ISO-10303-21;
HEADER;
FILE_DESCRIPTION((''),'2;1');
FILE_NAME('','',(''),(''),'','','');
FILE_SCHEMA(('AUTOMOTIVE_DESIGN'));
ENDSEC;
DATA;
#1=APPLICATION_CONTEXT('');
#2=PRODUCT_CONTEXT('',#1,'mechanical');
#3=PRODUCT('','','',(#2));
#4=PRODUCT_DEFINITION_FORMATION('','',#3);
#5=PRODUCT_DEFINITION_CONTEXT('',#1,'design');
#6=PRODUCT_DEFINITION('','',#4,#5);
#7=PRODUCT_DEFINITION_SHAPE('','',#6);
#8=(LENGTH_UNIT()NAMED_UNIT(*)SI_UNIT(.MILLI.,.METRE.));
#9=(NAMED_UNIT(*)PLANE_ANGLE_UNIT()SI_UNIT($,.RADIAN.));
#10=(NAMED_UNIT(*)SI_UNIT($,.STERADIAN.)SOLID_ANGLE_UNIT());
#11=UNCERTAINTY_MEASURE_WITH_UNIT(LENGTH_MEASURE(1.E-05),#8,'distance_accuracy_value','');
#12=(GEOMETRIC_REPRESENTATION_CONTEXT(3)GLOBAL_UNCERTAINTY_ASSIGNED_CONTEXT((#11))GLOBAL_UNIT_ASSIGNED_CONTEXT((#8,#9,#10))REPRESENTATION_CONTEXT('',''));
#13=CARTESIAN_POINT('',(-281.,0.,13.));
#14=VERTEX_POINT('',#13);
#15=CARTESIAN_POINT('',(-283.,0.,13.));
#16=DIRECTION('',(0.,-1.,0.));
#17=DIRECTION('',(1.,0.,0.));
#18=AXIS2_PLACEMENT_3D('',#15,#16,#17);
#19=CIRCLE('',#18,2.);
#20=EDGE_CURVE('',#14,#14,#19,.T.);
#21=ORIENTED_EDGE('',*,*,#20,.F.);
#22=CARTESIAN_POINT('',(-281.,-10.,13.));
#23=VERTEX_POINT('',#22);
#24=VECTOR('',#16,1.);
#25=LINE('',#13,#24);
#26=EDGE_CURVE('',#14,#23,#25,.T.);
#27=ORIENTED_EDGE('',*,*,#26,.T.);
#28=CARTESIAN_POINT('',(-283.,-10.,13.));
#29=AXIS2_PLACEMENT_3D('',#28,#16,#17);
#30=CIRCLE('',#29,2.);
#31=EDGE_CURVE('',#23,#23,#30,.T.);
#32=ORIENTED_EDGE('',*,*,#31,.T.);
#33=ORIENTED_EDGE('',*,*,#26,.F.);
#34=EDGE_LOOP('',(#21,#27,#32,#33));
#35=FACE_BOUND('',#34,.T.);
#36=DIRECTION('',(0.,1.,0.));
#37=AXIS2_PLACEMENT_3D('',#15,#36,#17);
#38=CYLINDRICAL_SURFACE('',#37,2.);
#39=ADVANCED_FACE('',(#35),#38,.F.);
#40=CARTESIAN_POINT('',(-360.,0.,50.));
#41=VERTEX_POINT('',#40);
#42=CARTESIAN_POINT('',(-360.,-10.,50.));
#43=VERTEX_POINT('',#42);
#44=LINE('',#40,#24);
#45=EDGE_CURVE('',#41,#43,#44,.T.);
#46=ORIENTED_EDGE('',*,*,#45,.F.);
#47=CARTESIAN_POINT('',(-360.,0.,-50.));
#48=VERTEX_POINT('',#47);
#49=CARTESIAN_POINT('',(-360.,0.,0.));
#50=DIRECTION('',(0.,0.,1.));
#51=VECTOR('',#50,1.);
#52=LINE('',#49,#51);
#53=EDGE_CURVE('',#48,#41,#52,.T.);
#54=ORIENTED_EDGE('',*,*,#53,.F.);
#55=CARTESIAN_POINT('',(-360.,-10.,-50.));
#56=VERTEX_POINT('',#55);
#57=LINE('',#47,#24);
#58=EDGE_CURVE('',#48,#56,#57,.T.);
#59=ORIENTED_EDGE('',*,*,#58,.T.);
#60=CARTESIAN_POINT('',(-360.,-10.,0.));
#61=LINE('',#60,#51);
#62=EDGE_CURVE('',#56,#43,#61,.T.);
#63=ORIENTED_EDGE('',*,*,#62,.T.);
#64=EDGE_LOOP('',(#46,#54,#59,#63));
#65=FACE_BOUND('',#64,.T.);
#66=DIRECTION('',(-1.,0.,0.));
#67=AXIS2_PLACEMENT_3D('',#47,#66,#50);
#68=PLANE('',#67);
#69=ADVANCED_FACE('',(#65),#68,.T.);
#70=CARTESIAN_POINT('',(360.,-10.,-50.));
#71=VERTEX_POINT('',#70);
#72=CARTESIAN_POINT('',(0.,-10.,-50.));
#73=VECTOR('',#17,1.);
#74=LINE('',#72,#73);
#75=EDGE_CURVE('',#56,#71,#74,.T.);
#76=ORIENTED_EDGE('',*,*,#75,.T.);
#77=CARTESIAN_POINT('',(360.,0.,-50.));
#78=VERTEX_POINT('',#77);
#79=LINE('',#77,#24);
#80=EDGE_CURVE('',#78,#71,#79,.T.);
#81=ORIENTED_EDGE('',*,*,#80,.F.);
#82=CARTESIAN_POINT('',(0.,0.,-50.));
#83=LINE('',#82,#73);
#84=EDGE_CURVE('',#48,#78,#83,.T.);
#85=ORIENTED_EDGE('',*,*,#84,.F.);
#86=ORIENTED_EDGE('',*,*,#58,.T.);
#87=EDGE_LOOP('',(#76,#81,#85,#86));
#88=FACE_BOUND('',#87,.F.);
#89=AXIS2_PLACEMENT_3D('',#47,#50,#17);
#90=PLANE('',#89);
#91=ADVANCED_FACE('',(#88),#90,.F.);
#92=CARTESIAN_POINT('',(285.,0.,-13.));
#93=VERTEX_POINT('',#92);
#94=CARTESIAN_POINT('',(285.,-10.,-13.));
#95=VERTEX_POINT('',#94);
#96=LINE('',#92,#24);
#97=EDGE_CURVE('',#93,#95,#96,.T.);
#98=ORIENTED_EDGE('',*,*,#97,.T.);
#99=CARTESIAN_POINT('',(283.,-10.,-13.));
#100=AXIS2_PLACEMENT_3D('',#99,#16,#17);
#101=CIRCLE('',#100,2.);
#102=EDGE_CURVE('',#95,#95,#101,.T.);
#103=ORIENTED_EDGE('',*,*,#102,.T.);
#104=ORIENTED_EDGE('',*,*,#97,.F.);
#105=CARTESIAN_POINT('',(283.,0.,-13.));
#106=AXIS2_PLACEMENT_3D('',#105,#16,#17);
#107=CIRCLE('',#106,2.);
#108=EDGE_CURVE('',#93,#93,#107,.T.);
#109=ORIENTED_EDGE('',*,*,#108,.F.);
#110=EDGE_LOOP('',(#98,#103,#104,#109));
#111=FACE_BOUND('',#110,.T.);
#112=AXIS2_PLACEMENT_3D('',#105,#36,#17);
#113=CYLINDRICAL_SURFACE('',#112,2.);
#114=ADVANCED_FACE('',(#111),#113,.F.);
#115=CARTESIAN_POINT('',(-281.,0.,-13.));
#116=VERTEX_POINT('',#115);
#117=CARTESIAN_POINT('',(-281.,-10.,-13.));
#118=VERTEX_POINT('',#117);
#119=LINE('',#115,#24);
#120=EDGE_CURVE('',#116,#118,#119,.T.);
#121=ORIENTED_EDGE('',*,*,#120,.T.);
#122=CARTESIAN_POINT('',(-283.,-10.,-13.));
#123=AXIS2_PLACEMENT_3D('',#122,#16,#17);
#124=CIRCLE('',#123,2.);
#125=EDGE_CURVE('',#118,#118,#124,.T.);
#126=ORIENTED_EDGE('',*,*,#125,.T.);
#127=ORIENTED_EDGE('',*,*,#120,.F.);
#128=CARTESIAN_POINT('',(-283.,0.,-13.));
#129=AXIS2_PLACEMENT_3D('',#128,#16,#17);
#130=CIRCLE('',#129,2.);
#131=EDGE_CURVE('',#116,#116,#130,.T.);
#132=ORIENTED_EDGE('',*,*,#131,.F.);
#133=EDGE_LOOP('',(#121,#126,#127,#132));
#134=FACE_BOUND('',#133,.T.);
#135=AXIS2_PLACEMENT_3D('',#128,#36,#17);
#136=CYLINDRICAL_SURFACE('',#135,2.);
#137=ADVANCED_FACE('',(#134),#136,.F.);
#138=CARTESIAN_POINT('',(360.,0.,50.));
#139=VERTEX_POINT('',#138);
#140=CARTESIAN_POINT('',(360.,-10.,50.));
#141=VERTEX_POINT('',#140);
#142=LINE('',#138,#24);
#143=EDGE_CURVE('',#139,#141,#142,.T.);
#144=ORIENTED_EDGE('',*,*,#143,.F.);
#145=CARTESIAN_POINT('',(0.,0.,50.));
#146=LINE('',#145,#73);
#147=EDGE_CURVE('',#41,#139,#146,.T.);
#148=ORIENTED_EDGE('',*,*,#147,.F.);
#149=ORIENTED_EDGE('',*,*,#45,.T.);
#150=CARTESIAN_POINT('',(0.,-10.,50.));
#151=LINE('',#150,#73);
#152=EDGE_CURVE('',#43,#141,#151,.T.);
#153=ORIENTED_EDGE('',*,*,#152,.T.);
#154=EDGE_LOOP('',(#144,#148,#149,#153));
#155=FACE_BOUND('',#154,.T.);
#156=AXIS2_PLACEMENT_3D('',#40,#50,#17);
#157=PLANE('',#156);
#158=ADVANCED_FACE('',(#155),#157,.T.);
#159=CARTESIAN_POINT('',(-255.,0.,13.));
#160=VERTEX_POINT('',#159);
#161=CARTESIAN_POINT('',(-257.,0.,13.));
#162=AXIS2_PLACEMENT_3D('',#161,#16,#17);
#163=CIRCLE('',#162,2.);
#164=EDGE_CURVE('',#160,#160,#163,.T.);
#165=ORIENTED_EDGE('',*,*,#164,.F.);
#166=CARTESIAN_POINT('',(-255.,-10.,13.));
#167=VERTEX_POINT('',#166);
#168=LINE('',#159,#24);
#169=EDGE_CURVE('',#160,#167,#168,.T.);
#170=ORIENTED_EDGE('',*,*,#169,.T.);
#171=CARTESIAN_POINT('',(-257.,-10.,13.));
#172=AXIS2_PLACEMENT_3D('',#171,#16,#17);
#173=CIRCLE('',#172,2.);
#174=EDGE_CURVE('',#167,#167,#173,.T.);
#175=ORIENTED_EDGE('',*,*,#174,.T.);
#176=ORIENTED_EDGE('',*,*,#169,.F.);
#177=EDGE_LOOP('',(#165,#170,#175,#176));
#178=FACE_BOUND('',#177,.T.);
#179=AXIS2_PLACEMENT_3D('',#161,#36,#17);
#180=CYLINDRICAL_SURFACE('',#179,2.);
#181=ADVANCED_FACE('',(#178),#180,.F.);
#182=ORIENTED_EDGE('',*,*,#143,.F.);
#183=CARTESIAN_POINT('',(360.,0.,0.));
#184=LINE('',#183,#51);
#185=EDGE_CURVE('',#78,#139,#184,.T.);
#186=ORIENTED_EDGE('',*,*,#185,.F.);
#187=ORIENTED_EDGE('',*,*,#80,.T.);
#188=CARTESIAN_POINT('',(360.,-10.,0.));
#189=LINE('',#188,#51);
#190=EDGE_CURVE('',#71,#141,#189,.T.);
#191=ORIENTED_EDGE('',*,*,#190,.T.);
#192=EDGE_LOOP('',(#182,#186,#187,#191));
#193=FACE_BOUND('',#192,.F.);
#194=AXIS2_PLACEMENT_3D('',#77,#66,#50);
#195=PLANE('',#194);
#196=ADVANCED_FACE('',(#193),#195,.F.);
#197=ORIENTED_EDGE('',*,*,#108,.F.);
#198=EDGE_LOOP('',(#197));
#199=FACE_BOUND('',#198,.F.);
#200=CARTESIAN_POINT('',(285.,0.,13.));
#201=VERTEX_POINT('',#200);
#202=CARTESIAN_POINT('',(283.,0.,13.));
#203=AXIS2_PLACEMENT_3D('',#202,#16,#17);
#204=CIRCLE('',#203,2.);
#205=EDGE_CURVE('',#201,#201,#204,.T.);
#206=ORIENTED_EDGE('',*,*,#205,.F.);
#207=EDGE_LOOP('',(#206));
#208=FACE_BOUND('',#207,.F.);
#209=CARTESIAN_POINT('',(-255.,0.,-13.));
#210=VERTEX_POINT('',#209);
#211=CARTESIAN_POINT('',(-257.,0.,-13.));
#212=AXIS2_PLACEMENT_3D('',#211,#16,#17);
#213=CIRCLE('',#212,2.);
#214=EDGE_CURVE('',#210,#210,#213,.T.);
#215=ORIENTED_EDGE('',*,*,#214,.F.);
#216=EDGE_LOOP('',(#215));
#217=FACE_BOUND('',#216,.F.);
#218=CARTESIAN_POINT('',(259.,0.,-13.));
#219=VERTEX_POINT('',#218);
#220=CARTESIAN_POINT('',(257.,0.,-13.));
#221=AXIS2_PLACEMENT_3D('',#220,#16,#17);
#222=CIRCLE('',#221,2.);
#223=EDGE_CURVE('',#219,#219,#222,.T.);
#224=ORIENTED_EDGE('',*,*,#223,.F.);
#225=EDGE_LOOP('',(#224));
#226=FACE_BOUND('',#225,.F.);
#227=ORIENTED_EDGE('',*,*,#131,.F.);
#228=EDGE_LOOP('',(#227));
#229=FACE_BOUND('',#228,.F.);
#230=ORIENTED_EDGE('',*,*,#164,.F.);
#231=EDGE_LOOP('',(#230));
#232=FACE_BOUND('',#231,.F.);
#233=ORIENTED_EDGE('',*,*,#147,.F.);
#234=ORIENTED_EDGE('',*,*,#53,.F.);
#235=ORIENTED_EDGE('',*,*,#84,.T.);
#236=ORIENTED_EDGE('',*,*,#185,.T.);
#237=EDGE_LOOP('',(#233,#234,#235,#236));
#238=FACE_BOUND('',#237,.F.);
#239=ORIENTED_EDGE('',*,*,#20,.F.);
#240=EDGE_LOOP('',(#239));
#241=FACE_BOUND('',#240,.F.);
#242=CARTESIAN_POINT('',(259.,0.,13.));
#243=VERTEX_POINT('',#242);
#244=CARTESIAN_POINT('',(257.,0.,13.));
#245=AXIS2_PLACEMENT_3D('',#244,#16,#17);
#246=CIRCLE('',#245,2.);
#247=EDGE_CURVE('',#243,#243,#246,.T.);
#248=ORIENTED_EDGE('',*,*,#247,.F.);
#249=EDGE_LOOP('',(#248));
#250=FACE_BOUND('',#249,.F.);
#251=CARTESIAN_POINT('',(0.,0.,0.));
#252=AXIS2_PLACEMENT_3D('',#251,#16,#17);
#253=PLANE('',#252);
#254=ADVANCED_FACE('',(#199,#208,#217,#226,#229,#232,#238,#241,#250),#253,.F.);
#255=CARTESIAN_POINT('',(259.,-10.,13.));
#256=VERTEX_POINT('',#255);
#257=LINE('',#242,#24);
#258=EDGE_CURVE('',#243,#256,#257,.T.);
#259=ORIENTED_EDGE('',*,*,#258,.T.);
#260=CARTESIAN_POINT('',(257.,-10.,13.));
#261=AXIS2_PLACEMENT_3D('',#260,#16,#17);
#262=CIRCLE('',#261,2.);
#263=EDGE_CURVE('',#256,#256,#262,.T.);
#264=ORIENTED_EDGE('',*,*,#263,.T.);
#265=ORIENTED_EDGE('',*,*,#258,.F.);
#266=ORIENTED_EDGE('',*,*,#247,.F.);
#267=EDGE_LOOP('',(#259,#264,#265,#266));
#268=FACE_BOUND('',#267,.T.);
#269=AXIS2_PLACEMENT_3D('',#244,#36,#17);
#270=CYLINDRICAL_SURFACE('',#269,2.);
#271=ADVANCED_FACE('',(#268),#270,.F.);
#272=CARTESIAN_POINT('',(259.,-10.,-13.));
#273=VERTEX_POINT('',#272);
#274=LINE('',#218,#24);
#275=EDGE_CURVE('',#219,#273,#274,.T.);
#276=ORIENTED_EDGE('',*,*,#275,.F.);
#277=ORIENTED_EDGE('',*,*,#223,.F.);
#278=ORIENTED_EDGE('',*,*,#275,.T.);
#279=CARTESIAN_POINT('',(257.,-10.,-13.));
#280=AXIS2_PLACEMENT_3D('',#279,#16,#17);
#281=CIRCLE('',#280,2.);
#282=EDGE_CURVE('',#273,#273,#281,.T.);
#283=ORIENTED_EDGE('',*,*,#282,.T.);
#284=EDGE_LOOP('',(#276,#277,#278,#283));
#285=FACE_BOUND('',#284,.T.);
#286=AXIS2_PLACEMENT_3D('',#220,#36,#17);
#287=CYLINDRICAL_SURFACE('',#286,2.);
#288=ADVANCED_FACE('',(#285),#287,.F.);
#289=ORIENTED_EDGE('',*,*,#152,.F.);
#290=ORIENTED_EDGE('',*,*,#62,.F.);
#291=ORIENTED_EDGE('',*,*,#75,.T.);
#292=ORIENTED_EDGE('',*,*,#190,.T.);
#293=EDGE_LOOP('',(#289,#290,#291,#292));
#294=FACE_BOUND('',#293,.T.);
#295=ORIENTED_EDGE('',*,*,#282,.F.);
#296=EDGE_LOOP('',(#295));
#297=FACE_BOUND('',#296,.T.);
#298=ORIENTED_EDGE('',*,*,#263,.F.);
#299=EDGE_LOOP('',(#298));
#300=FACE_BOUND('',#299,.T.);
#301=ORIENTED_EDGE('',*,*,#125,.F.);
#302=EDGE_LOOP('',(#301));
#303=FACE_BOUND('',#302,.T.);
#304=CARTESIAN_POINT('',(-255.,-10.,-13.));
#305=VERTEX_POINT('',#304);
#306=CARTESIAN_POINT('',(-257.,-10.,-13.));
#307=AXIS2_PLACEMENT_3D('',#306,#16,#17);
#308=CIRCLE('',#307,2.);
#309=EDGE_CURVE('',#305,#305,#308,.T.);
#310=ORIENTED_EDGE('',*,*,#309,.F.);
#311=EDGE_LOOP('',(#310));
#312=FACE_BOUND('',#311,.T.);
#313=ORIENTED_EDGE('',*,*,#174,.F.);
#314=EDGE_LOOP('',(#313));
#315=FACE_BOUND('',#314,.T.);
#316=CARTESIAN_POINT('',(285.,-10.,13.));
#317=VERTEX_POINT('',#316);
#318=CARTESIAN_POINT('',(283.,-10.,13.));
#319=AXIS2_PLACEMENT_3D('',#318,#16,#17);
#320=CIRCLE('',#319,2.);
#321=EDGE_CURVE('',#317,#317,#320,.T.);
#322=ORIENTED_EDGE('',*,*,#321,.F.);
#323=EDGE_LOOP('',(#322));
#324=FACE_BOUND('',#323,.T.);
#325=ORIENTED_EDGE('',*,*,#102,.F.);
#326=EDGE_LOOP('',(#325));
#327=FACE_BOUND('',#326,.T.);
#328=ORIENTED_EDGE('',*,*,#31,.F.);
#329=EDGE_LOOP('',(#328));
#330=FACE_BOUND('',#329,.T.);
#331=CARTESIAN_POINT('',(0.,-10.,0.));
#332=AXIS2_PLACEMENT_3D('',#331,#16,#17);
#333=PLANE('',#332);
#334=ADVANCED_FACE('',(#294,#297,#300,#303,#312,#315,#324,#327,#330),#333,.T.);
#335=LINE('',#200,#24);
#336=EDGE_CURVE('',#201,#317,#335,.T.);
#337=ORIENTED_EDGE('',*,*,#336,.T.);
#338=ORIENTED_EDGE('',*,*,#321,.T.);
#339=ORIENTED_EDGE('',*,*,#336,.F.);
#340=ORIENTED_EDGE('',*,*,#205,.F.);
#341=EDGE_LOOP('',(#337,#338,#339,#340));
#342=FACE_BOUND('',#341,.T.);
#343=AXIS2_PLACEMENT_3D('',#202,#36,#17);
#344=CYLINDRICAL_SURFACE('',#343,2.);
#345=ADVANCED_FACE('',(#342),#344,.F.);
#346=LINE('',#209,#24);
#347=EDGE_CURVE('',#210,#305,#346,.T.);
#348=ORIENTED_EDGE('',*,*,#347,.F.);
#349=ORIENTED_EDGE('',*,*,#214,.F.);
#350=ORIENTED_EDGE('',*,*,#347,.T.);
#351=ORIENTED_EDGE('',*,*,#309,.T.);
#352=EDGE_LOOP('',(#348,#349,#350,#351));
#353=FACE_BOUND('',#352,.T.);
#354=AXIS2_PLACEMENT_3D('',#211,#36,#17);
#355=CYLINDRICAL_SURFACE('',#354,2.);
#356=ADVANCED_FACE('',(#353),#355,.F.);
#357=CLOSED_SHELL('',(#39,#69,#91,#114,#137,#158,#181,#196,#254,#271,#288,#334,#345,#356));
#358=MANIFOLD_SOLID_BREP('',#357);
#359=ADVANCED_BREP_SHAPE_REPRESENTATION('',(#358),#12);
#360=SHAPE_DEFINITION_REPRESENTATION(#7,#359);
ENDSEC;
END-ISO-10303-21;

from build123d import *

# Parameters (mm, degrees)
F0_W     = 720
F0_H     = 100
F0_R     = 2
F1_DEPTH = 10


with BuildPart() as f1:
    # F0 (on Front) → F1 (new body)
    with BuildSketch(Plane.XZ):
        Rectangle(F0_W, F0_H)
        with Locations((-283, -13)):
            Circle(F0_R, mode=Mode.SUBTRACT)
        with Locations((-257, -13)):
            Circle(F0_R, mode=Mode.SUBTRACT)
        with Locations((257, -13)):
            Circle(F0_R, mode=Mode.SUBTRACT)
        with Locations((283, -13)):
            Circle(F0_R, mode=Mode.SUBTRACT)
        with Locations((-283, 13)):
            Circle(F0_R, mode=Mode.SUBTRACT)
        with Locations((-257, 13)):
            Circle(F0_R, mode=Mode.SUBTRACT)
        with Locations((257, 13)):
            Circle(F0_R, mode=Mode.SUBTRACT)
        with Locations((283, 13)):
            Circle(F0_R, mode=Mode.SUBTRACT)
    extrude(amount=F1_DEPTH)


solid = f1.part
